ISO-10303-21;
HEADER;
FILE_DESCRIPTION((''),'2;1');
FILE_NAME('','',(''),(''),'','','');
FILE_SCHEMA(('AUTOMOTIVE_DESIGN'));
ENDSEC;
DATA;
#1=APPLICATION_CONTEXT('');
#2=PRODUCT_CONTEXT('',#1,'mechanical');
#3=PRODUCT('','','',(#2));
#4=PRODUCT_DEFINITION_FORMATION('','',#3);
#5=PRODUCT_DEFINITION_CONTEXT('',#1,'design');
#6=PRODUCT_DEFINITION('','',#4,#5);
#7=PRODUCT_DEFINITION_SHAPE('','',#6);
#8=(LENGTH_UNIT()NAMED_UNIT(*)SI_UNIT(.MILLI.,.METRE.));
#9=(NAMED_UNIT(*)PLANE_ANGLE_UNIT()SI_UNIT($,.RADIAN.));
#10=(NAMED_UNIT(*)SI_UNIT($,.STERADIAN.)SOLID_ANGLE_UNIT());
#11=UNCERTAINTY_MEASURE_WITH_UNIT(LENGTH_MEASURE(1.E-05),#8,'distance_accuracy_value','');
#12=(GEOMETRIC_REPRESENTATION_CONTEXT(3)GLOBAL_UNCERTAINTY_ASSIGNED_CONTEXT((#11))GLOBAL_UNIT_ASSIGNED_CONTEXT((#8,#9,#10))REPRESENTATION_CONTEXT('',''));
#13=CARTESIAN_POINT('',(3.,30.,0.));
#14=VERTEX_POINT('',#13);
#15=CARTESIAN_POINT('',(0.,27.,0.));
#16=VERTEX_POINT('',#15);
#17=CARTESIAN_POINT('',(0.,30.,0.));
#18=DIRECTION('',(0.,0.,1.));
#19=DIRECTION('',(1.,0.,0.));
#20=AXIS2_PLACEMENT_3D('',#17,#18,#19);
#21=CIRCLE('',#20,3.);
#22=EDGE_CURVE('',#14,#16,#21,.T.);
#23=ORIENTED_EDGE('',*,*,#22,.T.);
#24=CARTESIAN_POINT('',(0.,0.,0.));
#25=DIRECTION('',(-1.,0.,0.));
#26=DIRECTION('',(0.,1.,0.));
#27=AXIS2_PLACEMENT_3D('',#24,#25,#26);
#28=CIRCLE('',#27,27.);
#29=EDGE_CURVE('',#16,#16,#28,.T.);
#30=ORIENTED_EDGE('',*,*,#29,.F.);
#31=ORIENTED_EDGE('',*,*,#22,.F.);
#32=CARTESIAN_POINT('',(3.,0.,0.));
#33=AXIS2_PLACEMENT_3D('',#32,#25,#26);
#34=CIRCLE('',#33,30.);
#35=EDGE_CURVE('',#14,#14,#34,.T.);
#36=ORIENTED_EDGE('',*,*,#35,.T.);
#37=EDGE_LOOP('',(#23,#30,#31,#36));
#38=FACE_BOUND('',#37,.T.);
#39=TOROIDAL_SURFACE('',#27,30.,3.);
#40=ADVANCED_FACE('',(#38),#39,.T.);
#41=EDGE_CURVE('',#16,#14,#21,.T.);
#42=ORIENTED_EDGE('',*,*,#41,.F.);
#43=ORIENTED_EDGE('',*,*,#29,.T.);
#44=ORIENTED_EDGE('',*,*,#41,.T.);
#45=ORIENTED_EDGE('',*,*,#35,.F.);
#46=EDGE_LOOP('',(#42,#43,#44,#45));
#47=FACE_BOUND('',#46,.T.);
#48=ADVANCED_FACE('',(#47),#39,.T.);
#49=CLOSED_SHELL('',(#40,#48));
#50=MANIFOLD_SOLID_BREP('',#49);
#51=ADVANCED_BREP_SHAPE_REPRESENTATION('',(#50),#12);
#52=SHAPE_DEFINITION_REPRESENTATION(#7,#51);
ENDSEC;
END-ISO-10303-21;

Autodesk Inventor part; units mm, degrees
ref_plane "YZ Plane" through (0, 0, 0) normal (1, 0, 0) x (0, 1, 0)
ref_plane "XZ Plane" through (0, 0, 0) normal (0, 1, 0) x (-1, 0, 0)
ref_plane "XY Plane" through (0, 0, 0) normal (0, 0, 1) x (1, 0, 0)
sketch "Esboço1" plane through (0, 0, 0) normal (0, 0, 1) x (1, 0, 0)
  line L0 (0, 0) -> (-5.0552, 0)
  line L1 (0, 0) -> (0, 30)
  circle A0 centre (0, 30) radius 3
  dimension "d0" = 30
  dimension "d1" = 6
revolve "Revolução1" add sketch "Esboço1" angle 360 about axis through (0, 0, 0) along (-1, 0, 0)
properties part number "Rodinha-Borracha" material "Borracha"
